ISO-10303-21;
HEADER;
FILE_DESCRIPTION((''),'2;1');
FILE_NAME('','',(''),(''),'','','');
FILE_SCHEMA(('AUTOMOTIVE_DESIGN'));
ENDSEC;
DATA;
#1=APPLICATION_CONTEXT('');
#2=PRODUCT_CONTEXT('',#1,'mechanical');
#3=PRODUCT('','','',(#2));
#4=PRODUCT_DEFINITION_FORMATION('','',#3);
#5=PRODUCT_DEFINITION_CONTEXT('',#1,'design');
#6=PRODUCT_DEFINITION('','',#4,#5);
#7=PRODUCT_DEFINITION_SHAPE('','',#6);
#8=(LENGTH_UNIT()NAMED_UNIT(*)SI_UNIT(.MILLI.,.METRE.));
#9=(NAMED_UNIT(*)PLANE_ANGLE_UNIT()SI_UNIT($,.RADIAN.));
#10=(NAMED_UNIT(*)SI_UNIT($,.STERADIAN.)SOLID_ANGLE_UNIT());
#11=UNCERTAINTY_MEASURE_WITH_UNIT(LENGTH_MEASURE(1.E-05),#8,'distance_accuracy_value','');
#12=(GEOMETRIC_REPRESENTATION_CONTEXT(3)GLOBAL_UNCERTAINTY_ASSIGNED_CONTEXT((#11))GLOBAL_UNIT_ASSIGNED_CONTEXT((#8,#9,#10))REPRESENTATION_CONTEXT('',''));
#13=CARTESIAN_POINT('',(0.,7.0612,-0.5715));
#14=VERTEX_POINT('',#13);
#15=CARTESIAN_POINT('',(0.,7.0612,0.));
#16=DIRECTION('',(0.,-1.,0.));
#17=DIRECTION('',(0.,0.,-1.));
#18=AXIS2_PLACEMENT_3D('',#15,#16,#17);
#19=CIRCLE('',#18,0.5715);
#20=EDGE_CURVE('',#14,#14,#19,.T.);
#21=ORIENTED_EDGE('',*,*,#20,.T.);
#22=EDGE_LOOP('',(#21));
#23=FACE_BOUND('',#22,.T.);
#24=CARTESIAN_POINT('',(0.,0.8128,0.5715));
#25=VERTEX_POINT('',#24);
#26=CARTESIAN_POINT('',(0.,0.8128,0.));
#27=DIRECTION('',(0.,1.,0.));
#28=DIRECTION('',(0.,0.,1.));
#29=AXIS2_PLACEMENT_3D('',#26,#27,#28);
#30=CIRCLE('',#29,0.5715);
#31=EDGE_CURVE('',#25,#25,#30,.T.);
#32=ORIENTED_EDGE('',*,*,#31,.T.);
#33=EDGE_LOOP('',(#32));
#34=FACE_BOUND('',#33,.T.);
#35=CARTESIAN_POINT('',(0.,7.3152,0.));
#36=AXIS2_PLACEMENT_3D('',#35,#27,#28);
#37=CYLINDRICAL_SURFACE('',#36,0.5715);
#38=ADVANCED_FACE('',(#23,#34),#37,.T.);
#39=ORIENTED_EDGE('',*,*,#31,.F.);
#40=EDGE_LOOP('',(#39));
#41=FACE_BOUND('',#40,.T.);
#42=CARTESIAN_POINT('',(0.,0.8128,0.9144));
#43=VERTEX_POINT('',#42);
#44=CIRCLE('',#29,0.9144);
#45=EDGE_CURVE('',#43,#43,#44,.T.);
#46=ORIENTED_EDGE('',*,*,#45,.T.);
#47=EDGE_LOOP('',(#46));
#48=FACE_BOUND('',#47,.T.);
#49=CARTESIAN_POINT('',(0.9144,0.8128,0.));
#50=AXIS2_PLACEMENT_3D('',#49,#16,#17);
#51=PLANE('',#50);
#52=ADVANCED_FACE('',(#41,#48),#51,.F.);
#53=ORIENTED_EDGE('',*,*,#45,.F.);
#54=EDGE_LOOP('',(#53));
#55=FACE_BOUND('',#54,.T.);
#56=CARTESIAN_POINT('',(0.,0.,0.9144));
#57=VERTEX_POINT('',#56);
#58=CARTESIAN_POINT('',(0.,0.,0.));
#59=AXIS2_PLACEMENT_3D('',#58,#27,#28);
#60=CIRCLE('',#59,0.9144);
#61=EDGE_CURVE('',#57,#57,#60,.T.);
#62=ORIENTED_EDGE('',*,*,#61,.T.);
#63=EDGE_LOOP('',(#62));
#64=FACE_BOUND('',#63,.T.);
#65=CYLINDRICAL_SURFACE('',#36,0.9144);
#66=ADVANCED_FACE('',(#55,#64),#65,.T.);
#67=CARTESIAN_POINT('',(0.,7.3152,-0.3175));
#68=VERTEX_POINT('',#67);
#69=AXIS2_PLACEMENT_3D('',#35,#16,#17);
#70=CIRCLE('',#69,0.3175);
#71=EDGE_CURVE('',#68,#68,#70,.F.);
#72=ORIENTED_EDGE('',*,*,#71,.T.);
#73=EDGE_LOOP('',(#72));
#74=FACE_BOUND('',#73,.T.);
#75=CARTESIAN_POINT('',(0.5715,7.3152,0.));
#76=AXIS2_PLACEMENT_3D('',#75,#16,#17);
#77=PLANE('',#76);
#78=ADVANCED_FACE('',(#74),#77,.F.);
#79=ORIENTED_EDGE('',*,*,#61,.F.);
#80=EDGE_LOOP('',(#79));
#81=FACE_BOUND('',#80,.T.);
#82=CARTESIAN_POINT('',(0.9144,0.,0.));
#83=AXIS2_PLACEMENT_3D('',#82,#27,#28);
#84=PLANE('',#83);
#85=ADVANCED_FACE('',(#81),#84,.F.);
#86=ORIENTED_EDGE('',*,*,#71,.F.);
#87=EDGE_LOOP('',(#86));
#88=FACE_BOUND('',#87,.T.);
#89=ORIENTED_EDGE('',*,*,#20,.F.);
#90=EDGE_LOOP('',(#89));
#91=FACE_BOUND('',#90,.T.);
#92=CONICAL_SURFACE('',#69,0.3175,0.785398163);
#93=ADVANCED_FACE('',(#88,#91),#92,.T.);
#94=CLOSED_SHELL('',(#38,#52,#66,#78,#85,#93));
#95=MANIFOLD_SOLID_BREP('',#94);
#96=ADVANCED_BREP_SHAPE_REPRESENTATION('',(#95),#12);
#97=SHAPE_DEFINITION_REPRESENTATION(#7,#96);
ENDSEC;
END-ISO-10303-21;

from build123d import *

# Parameters (mm, degrees)
CHAMFER1_SIZE = 0.254


with BuildPart() as part:
    # Sketch1 → Revolve1 (revolve)
    with BuildSketch(Plane.XY, mode=Mode.PRIVATE) as revolve1_sk:
        Polygon((0.9144, 0.8128), (0.5715, 0.8128), (0.5715, 7.3152), (0, 7.3152), (0, 0), (0.9144, 0), align=None)
    revolve(revolve1_sk.sketch.rotate(Axis((0, 7.3152, 0), (0, -1, 0)), 90), axis=Axis((0, 7.3152, 0), (0, -1, 0)))

    # Chamfer1
    chamfer1_edges = [part.edges().sort_by_distance(p)[0] for p in [
        (0, 7.3152, -0.5715),
    ]]
    chamfer(chamfer1_edges, length=CHAMFER1_SIZE)


solid = part.part
